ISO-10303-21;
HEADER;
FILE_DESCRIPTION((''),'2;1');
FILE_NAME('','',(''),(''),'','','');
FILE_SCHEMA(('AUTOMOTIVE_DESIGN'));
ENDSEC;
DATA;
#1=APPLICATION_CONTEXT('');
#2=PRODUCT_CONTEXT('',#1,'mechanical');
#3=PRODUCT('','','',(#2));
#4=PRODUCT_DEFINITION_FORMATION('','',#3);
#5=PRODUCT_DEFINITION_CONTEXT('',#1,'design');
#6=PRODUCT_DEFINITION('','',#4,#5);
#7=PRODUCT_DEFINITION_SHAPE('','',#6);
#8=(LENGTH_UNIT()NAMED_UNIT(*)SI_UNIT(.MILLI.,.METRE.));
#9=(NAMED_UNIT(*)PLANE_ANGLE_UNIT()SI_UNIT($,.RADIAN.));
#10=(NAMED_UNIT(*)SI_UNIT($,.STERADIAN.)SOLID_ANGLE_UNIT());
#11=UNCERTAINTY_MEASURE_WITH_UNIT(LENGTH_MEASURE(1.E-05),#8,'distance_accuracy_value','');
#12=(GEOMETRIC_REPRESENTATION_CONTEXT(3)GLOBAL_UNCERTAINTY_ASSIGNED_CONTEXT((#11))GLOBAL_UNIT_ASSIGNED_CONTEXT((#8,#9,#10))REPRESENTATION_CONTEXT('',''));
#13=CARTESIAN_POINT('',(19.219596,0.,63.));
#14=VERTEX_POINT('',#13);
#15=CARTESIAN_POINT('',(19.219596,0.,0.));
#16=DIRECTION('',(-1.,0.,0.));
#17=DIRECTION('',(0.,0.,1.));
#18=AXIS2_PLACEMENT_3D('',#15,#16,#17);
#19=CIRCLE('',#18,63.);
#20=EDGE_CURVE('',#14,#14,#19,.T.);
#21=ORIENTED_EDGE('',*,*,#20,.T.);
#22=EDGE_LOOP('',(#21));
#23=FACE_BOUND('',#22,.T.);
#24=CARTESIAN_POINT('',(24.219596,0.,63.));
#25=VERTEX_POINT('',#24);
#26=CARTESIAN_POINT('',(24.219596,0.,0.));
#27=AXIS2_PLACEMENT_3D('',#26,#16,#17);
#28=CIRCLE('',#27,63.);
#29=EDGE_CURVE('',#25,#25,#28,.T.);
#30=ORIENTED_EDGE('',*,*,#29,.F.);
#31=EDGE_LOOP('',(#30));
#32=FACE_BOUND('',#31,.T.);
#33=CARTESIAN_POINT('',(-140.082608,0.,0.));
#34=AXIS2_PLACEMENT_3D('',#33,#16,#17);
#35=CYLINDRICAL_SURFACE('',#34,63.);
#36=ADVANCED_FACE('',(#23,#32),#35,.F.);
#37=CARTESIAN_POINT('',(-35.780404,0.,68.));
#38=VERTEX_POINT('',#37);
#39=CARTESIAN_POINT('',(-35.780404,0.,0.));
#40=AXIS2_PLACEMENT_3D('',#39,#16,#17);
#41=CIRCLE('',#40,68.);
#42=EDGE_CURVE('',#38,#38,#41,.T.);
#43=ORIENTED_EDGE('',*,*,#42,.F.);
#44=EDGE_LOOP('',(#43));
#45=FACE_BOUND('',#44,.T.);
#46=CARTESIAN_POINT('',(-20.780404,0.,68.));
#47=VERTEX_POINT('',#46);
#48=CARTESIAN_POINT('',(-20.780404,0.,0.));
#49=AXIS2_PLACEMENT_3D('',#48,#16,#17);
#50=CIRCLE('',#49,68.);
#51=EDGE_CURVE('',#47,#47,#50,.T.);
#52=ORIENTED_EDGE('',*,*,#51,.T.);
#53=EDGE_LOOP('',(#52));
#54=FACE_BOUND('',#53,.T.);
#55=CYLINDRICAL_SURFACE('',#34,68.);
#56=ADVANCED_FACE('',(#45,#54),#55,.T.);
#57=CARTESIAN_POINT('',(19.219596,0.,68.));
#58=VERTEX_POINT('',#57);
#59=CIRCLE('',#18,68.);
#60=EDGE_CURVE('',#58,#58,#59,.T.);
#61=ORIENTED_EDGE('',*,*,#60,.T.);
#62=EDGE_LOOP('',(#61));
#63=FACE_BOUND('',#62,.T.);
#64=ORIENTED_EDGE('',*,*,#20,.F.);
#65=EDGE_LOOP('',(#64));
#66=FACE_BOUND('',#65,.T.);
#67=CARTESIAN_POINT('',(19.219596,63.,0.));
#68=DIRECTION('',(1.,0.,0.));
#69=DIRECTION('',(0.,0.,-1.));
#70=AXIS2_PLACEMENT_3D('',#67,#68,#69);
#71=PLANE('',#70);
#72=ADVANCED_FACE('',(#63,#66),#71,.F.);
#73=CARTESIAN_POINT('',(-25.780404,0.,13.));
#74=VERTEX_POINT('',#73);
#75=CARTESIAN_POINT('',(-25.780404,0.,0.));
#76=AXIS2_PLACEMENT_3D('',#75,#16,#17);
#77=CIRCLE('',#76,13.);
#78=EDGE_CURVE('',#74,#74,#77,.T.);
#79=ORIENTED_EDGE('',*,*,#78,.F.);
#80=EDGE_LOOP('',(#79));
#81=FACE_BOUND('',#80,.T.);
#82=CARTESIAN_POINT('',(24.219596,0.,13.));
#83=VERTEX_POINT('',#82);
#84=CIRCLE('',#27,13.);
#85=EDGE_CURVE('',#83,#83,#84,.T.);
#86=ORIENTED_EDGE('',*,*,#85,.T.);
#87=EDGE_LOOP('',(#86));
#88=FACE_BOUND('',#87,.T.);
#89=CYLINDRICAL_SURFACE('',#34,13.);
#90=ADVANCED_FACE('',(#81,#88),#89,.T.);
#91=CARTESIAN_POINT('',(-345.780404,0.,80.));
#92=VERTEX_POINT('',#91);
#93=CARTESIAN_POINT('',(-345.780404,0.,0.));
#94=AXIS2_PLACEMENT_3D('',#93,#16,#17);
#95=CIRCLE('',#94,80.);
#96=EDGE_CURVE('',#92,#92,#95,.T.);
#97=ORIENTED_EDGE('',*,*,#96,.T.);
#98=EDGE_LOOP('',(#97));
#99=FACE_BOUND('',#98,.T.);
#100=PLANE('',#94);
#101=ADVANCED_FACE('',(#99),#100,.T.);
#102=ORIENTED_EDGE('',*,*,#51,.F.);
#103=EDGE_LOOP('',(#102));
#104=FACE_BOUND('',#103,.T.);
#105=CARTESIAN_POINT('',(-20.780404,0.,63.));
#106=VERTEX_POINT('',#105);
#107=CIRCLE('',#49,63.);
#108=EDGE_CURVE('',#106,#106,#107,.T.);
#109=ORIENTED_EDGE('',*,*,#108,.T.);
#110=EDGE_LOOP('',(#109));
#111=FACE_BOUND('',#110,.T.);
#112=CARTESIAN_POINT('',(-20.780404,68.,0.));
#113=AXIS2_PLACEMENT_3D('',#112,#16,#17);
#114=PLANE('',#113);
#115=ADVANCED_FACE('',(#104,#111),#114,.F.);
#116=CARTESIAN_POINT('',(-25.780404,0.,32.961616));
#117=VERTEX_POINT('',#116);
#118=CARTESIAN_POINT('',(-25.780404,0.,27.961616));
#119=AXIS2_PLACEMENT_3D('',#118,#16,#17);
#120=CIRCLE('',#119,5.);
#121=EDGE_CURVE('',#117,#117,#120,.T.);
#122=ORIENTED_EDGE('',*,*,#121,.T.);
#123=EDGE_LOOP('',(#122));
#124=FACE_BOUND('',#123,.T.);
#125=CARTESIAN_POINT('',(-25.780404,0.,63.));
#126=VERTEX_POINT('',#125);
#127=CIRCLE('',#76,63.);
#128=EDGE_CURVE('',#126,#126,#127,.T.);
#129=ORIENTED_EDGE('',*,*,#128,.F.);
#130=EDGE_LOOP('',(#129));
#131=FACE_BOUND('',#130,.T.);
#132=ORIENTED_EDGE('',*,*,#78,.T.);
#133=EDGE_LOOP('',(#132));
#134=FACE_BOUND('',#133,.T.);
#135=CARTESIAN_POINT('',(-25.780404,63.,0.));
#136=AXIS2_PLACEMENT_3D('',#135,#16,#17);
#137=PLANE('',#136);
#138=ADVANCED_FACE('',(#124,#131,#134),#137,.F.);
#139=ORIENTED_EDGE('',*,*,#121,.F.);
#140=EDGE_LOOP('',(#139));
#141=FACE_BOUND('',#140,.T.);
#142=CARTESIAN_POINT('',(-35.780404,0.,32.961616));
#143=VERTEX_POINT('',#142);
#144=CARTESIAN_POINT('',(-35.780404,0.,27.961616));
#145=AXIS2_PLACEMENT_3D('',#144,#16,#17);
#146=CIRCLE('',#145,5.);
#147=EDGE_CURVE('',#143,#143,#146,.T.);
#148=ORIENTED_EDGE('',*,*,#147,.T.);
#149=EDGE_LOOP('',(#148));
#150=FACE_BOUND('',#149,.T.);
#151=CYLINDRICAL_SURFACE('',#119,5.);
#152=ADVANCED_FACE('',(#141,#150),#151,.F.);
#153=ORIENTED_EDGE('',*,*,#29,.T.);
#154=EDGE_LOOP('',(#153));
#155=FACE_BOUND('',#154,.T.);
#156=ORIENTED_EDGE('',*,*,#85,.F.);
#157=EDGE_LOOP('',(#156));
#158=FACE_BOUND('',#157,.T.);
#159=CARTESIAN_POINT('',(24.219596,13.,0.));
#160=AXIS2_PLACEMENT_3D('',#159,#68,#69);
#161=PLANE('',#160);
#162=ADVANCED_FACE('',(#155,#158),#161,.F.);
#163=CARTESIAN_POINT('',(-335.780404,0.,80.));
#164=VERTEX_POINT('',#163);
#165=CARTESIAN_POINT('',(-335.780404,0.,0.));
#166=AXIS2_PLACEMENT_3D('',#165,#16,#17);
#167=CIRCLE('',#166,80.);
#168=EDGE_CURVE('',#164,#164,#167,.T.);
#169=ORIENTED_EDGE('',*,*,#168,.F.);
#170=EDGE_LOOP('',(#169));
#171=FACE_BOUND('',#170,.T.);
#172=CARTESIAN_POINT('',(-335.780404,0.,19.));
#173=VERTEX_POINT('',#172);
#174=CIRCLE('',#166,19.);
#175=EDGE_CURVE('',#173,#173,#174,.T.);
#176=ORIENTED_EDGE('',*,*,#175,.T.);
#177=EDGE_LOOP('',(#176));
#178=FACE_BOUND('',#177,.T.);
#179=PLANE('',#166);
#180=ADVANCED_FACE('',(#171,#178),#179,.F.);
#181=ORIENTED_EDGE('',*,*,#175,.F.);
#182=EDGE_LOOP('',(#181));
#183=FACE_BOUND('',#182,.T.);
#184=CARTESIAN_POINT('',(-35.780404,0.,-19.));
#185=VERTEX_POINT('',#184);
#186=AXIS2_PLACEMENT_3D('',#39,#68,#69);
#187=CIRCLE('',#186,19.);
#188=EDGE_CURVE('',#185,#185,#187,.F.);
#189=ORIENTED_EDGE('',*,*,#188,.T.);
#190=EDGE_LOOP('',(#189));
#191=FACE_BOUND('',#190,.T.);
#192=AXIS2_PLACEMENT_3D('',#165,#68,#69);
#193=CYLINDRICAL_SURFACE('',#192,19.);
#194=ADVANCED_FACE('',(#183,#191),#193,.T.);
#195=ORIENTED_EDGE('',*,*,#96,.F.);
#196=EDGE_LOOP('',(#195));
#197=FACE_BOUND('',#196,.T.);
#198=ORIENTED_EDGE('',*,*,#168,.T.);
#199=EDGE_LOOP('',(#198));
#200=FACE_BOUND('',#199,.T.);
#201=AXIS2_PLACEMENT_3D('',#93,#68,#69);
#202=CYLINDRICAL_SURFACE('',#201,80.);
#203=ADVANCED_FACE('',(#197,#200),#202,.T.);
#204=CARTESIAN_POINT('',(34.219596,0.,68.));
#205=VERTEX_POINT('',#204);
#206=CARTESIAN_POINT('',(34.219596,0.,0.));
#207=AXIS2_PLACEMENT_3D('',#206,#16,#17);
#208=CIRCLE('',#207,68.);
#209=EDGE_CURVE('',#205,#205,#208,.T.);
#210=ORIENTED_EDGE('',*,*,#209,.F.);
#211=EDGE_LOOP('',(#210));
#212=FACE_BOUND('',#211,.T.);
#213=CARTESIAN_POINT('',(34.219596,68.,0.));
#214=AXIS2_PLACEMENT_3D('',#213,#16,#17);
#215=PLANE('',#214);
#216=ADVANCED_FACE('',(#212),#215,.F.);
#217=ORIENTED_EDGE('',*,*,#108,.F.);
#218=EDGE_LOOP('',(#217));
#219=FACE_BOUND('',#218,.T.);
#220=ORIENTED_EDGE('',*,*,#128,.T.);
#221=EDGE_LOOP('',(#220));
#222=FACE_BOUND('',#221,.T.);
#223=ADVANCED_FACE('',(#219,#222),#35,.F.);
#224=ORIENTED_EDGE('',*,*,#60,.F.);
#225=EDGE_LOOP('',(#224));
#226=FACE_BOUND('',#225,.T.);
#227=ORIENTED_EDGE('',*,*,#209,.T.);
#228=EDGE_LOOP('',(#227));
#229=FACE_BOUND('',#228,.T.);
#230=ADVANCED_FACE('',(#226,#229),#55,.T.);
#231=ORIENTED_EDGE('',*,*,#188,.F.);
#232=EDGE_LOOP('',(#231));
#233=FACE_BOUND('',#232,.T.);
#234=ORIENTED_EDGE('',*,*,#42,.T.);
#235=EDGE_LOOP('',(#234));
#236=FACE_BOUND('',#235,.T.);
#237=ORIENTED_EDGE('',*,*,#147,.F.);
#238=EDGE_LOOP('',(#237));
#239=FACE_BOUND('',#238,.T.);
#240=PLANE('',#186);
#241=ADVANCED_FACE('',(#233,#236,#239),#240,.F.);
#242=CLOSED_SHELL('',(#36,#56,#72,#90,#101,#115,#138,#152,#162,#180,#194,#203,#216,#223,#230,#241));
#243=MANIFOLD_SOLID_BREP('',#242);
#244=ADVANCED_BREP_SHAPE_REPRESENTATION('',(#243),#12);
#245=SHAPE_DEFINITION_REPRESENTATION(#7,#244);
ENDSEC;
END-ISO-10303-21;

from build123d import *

# Parameters (mm, degrees)
SKETCH2_R           = 19
BOSS_EXTRUDE1_DEPTH = 300
SKETCH3_R           = 5
CUT_EXTRUDE1_DEPTH  = 10
SKETCH4_R           = 80
BOSS_EXTRUDE2_DEPTH = 10


with BuildPart() as part:
    # Sketch1 → Revolve1 (revolve)
    with BuildSketch(Plane.XY, mode=Mode.PRIVATE) as revolve1_sk:
        Polygon((-35.7804045, 0), (34.2195955, 0), (34.2195955, 68), (19.2195955, 68), (19.2195955, 63), (24.2195955, 63), (24.2195955, 13), (-25.7804045, 13), (-25.7804045, 63), (-20.7804045, 63), (-20.7804045, 68), (-35.7804045, 68), align=None)
    revolve(revolve1_sk.sketch.rotate(Axis((-140.082607732, 0, 0), (1, 0, 0)), 90), axis=Axis((-140.082607732, 0, 0), (1, 0, 0)))

    # Sketch2 → Boss-Extrude1 (add)
    with BuildSketch(Plane.ZY.offset(35.7804045)):
        with Locations(Location((0, 0, 0), (0, 0, 180))):
            Circle(SKETCH2_R)
    extrude(amount=BOSS_EXTRUDE1_DEPTH)

    # Sketch3 → Cut-Extrude1 (cut)
    with BuildSketch(Plane.ZY.offset(35.7804045)):
        with Locations((27.961616464, 0)):
            Circle(SKETCH3_R)
    extrude(amount=-CUT_EXTRUDE1_DEPTH, mode=Mode.SUBTRACT)

    # Sketch4 → Boss-Extrude2 (add)
    with BuildSketch(Plane.ZY.offset(335.7804045)):
        Circle(SKETCH4_R)
    extrude(amount=BOSS_EXTRUDE2_DEPTH)


solid = part.part
